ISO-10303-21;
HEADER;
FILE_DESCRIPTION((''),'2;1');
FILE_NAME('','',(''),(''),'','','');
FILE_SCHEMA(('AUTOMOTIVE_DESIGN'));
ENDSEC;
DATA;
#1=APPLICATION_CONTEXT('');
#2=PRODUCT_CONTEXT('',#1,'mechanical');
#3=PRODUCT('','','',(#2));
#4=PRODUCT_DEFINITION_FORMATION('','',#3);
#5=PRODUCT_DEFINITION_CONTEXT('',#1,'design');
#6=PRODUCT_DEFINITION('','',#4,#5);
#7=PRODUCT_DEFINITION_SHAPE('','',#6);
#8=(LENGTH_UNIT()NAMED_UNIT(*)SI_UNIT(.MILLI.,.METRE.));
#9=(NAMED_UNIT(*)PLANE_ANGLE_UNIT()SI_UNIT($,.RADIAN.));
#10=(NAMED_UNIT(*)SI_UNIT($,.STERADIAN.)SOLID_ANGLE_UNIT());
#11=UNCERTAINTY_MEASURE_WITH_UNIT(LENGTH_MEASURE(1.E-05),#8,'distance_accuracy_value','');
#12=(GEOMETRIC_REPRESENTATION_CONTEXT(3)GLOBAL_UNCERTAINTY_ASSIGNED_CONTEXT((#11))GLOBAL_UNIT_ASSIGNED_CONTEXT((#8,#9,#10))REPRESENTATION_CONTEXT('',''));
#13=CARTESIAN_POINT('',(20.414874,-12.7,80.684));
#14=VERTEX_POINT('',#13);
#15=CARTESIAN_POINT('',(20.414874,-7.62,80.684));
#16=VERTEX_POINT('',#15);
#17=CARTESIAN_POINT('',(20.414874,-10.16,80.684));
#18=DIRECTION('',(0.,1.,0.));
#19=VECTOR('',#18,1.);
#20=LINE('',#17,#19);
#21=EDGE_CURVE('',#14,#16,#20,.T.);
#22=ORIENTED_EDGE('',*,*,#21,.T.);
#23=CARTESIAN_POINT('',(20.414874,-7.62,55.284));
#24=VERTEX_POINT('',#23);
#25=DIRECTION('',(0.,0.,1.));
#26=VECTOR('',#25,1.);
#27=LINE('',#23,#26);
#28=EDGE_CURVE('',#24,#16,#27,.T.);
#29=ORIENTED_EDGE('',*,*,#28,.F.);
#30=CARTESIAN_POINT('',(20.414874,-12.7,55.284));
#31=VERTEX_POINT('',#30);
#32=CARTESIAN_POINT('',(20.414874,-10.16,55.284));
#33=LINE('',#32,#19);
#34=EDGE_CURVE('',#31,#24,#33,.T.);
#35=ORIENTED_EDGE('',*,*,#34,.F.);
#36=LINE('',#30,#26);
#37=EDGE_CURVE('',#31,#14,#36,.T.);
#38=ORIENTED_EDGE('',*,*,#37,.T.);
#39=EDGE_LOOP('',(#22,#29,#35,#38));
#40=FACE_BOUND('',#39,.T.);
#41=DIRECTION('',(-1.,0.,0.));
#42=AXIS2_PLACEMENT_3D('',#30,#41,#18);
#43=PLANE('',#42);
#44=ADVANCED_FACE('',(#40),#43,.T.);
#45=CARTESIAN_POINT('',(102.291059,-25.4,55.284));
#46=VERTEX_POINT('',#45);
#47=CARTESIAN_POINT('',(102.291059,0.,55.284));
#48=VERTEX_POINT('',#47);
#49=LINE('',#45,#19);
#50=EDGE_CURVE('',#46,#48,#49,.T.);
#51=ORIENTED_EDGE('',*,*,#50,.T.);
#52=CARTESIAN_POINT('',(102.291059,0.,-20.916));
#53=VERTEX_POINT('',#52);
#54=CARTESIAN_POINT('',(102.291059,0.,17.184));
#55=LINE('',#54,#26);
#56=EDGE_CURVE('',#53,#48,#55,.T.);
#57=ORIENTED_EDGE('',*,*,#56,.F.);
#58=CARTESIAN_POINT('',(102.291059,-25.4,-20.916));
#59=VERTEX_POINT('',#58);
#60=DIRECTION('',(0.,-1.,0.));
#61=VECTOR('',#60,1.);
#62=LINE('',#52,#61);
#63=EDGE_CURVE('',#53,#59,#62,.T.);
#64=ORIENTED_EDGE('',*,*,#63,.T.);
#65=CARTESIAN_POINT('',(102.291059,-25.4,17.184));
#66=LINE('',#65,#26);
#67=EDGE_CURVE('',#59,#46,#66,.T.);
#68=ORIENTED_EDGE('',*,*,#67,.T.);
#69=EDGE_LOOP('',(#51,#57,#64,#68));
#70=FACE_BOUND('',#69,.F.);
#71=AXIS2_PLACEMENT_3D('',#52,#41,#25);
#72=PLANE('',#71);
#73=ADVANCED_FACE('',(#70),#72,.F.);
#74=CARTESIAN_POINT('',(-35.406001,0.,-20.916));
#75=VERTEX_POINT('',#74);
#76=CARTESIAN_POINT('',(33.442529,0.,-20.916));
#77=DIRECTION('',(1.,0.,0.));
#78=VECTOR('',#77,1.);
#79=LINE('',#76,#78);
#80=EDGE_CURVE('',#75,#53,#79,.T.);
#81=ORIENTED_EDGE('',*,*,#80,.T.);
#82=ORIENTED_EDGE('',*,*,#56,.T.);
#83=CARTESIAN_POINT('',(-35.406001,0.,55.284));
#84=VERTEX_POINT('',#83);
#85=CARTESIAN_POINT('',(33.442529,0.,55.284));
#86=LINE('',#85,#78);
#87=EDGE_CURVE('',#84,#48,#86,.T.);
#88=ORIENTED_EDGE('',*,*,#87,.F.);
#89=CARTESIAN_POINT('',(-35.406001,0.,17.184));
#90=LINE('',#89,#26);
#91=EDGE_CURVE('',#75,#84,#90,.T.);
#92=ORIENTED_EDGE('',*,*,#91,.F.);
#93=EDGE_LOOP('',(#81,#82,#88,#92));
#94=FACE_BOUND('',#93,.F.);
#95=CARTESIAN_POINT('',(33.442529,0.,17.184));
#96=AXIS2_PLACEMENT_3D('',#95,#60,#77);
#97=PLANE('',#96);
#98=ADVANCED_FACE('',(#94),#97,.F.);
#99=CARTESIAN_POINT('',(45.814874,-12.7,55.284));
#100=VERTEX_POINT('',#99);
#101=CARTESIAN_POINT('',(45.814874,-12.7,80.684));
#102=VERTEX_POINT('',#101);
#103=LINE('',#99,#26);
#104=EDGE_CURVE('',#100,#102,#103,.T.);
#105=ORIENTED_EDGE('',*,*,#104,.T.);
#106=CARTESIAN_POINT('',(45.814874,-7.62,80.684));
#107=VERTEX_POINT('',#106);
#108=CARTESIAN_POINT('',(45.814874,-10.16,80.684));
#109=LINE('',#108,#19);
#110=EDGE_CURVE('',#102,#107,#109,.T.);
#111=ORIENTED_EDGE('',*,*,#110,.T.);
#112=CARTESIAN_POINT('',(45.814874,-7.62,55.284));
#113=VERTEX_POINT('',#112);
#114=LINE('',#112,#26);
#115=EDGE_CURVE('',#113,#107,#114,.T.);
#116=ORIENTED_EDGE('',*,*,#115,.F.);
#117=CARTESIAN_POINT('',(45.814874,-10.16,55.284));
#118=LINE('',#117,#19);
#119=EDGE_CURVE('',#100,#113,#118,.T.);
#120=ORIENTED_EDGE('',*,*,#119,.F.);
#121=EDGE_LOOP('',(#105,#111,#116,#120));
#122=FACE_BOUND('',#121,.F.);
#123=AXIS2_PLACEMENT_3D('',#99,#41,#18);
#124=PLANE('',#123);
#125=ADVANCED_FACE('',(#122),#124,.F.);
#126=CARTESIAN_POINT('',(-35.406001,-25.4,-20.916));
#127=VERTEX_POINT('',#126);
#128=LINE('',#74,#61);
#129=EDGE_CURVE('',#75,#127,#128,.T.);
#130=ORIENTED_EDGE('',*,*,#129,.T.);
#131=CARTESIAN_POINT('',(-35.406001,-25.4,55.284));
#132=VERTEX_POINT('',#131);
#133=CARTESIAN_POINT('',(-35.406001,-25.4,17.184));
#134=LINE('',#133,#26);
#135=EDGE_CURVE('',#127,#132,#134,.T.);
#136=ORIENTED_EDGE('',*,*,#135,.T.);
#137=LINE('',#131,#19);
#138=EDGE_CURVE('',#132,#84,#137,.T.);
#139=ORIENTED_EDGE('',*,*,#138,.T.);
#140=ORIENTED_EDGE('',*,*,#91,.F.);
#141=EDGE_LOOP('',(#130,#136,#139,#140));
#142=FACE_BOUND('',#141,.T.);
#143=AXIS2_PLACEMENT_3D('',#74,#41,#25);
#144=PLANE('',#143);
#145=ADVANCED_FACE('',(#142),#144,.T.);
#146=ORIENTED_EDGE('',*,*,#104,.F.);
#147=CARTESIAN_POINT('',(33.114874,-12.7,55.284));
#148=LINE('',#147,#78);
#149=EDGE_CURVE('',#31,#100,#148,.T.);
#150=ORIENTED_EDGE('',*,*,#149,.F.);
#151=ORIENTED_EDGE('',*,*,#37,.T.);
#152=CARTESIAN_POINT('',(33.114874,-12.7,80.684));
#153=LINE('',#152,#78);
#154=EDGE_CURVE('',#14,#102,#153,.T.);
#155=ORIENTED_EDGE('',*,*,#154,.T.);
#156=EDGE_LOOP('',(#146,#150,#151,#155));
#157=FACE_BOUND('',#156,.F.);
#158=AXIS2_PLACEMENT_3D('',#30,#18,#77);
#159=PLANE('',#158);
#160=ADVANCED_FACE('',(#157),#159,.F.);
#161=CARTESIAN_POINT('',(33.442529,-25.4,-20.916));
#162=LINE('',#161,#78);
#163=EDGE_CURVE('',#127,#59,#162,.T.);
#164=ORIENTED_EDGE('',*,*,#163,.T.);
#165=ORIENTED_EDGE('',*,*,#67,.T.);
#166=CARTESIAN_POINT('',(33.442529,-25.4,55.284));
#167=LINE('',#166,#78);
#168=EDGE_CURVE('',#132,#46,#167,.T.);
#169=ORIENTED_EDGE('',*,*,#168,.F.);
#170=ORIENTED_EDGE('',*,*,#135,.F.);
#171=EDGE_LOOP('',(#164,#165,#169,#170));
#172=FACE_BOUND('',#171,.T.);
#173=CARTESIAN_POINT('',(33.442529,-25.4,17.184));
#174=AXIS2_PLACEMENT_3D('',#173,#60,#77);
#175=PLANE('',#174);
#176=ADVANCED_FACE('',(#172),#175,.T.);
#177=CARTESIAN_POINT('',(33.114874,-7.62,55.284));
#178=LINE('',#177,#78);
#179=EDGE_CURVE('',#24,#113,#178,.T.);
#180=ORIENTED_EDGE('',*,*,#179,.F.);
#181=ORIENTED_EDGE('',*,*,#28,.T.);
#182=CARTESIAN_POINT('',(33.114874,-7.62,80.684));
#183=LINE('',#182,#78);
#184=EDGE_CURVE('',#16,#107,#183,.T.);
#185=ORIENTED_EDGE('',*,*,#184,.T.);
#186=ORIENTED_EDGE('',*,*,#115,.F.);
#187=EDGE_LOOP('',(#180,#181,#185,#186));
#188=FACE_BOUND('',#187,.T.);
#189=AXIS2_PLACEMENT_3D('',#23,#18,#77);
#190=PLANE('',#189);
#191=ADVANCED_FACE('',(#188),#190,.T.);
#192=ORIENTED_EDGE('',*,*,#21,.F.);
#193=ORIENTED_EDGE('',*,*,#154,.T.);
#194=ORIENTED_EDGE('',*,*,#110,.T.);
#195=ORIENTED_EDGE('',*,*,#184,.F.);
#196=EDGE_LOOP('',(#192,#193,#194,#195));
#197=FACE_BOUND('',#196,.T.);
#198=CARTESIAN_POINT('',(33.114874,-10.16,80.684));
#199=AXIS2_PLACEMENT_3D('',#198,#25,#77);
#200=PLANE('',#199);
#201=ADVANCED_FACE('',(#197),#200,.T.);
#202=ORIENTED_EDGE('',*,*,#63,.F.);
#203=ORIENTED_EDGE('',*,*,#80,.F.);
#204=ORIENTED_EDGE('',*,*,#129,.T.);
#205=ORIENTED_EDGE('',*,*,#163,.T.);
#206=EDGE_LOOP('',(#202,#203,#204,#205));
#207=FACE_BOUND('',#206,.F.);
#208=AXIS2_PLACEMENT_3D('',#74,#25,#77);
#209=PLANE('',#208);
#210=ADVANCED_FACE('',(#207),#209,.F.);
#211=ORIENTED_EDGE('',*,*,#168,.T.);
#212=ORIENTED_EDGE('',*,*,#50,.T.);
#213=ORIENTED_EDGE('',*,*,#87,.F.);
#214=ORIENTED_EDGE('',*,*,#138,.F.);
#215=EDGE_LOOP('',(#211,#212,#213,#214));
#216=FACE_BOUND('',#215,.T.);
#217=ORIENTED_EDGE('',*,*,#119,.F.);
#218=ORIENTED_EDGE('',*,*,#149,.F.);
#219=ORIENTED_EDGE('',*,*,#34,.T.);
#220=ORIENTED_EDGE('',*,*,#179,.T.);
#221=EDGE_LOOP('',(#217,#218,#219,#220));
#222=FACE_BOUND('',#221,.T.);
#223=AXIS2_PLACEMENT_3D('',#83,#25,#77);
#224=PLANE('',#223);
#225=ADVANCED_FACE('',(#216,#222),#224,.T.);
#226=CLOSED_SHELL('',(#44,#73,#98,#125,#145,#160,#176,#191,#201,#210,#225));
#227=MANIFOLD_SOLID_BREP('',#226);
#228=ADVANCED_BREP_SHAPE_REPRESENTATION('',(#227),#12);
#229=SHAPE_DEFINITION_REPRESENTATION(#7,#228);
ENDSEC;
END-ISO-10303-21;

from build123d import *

# Parameters (mm, degrees)
F0_W     = 137.6970596611
F0_H     = 76.2
F1_DEPTH = 10.922
F2_DEPTH = 25.4
F3_W     = 25.4
F3_H     = 5.08
F4_DEPTH = 25.4


with BuildPart() as f1:
    # F0 (on Front) → F1 (new body)
    with BuildSketch(Plane.XZ):
        with Locations((33.4425289184, 17.1839999914)):
            Rectangle(F0_W, F0_H)
    extrude(amount=F1_DEPTH)

    # F0 (on Front) → F2 (join)
    with BuildSketch(Plane.XZ):
        with Locations((33.4425289184, 17.1839999914)):
            Rectangle(F0_W, F0_H)
    extrude(amount=F2_DEPTH)

    # F3 (on face) → F4 (join)
    with BuildSketch(Plane.XY.offset(55.2839999914)):
        with Locations((33.1148739576, -10.16)):
            Rectangle(F3_W, F3_H)
    extrude(amount=F4_DEPTH)


solid = f1.part
